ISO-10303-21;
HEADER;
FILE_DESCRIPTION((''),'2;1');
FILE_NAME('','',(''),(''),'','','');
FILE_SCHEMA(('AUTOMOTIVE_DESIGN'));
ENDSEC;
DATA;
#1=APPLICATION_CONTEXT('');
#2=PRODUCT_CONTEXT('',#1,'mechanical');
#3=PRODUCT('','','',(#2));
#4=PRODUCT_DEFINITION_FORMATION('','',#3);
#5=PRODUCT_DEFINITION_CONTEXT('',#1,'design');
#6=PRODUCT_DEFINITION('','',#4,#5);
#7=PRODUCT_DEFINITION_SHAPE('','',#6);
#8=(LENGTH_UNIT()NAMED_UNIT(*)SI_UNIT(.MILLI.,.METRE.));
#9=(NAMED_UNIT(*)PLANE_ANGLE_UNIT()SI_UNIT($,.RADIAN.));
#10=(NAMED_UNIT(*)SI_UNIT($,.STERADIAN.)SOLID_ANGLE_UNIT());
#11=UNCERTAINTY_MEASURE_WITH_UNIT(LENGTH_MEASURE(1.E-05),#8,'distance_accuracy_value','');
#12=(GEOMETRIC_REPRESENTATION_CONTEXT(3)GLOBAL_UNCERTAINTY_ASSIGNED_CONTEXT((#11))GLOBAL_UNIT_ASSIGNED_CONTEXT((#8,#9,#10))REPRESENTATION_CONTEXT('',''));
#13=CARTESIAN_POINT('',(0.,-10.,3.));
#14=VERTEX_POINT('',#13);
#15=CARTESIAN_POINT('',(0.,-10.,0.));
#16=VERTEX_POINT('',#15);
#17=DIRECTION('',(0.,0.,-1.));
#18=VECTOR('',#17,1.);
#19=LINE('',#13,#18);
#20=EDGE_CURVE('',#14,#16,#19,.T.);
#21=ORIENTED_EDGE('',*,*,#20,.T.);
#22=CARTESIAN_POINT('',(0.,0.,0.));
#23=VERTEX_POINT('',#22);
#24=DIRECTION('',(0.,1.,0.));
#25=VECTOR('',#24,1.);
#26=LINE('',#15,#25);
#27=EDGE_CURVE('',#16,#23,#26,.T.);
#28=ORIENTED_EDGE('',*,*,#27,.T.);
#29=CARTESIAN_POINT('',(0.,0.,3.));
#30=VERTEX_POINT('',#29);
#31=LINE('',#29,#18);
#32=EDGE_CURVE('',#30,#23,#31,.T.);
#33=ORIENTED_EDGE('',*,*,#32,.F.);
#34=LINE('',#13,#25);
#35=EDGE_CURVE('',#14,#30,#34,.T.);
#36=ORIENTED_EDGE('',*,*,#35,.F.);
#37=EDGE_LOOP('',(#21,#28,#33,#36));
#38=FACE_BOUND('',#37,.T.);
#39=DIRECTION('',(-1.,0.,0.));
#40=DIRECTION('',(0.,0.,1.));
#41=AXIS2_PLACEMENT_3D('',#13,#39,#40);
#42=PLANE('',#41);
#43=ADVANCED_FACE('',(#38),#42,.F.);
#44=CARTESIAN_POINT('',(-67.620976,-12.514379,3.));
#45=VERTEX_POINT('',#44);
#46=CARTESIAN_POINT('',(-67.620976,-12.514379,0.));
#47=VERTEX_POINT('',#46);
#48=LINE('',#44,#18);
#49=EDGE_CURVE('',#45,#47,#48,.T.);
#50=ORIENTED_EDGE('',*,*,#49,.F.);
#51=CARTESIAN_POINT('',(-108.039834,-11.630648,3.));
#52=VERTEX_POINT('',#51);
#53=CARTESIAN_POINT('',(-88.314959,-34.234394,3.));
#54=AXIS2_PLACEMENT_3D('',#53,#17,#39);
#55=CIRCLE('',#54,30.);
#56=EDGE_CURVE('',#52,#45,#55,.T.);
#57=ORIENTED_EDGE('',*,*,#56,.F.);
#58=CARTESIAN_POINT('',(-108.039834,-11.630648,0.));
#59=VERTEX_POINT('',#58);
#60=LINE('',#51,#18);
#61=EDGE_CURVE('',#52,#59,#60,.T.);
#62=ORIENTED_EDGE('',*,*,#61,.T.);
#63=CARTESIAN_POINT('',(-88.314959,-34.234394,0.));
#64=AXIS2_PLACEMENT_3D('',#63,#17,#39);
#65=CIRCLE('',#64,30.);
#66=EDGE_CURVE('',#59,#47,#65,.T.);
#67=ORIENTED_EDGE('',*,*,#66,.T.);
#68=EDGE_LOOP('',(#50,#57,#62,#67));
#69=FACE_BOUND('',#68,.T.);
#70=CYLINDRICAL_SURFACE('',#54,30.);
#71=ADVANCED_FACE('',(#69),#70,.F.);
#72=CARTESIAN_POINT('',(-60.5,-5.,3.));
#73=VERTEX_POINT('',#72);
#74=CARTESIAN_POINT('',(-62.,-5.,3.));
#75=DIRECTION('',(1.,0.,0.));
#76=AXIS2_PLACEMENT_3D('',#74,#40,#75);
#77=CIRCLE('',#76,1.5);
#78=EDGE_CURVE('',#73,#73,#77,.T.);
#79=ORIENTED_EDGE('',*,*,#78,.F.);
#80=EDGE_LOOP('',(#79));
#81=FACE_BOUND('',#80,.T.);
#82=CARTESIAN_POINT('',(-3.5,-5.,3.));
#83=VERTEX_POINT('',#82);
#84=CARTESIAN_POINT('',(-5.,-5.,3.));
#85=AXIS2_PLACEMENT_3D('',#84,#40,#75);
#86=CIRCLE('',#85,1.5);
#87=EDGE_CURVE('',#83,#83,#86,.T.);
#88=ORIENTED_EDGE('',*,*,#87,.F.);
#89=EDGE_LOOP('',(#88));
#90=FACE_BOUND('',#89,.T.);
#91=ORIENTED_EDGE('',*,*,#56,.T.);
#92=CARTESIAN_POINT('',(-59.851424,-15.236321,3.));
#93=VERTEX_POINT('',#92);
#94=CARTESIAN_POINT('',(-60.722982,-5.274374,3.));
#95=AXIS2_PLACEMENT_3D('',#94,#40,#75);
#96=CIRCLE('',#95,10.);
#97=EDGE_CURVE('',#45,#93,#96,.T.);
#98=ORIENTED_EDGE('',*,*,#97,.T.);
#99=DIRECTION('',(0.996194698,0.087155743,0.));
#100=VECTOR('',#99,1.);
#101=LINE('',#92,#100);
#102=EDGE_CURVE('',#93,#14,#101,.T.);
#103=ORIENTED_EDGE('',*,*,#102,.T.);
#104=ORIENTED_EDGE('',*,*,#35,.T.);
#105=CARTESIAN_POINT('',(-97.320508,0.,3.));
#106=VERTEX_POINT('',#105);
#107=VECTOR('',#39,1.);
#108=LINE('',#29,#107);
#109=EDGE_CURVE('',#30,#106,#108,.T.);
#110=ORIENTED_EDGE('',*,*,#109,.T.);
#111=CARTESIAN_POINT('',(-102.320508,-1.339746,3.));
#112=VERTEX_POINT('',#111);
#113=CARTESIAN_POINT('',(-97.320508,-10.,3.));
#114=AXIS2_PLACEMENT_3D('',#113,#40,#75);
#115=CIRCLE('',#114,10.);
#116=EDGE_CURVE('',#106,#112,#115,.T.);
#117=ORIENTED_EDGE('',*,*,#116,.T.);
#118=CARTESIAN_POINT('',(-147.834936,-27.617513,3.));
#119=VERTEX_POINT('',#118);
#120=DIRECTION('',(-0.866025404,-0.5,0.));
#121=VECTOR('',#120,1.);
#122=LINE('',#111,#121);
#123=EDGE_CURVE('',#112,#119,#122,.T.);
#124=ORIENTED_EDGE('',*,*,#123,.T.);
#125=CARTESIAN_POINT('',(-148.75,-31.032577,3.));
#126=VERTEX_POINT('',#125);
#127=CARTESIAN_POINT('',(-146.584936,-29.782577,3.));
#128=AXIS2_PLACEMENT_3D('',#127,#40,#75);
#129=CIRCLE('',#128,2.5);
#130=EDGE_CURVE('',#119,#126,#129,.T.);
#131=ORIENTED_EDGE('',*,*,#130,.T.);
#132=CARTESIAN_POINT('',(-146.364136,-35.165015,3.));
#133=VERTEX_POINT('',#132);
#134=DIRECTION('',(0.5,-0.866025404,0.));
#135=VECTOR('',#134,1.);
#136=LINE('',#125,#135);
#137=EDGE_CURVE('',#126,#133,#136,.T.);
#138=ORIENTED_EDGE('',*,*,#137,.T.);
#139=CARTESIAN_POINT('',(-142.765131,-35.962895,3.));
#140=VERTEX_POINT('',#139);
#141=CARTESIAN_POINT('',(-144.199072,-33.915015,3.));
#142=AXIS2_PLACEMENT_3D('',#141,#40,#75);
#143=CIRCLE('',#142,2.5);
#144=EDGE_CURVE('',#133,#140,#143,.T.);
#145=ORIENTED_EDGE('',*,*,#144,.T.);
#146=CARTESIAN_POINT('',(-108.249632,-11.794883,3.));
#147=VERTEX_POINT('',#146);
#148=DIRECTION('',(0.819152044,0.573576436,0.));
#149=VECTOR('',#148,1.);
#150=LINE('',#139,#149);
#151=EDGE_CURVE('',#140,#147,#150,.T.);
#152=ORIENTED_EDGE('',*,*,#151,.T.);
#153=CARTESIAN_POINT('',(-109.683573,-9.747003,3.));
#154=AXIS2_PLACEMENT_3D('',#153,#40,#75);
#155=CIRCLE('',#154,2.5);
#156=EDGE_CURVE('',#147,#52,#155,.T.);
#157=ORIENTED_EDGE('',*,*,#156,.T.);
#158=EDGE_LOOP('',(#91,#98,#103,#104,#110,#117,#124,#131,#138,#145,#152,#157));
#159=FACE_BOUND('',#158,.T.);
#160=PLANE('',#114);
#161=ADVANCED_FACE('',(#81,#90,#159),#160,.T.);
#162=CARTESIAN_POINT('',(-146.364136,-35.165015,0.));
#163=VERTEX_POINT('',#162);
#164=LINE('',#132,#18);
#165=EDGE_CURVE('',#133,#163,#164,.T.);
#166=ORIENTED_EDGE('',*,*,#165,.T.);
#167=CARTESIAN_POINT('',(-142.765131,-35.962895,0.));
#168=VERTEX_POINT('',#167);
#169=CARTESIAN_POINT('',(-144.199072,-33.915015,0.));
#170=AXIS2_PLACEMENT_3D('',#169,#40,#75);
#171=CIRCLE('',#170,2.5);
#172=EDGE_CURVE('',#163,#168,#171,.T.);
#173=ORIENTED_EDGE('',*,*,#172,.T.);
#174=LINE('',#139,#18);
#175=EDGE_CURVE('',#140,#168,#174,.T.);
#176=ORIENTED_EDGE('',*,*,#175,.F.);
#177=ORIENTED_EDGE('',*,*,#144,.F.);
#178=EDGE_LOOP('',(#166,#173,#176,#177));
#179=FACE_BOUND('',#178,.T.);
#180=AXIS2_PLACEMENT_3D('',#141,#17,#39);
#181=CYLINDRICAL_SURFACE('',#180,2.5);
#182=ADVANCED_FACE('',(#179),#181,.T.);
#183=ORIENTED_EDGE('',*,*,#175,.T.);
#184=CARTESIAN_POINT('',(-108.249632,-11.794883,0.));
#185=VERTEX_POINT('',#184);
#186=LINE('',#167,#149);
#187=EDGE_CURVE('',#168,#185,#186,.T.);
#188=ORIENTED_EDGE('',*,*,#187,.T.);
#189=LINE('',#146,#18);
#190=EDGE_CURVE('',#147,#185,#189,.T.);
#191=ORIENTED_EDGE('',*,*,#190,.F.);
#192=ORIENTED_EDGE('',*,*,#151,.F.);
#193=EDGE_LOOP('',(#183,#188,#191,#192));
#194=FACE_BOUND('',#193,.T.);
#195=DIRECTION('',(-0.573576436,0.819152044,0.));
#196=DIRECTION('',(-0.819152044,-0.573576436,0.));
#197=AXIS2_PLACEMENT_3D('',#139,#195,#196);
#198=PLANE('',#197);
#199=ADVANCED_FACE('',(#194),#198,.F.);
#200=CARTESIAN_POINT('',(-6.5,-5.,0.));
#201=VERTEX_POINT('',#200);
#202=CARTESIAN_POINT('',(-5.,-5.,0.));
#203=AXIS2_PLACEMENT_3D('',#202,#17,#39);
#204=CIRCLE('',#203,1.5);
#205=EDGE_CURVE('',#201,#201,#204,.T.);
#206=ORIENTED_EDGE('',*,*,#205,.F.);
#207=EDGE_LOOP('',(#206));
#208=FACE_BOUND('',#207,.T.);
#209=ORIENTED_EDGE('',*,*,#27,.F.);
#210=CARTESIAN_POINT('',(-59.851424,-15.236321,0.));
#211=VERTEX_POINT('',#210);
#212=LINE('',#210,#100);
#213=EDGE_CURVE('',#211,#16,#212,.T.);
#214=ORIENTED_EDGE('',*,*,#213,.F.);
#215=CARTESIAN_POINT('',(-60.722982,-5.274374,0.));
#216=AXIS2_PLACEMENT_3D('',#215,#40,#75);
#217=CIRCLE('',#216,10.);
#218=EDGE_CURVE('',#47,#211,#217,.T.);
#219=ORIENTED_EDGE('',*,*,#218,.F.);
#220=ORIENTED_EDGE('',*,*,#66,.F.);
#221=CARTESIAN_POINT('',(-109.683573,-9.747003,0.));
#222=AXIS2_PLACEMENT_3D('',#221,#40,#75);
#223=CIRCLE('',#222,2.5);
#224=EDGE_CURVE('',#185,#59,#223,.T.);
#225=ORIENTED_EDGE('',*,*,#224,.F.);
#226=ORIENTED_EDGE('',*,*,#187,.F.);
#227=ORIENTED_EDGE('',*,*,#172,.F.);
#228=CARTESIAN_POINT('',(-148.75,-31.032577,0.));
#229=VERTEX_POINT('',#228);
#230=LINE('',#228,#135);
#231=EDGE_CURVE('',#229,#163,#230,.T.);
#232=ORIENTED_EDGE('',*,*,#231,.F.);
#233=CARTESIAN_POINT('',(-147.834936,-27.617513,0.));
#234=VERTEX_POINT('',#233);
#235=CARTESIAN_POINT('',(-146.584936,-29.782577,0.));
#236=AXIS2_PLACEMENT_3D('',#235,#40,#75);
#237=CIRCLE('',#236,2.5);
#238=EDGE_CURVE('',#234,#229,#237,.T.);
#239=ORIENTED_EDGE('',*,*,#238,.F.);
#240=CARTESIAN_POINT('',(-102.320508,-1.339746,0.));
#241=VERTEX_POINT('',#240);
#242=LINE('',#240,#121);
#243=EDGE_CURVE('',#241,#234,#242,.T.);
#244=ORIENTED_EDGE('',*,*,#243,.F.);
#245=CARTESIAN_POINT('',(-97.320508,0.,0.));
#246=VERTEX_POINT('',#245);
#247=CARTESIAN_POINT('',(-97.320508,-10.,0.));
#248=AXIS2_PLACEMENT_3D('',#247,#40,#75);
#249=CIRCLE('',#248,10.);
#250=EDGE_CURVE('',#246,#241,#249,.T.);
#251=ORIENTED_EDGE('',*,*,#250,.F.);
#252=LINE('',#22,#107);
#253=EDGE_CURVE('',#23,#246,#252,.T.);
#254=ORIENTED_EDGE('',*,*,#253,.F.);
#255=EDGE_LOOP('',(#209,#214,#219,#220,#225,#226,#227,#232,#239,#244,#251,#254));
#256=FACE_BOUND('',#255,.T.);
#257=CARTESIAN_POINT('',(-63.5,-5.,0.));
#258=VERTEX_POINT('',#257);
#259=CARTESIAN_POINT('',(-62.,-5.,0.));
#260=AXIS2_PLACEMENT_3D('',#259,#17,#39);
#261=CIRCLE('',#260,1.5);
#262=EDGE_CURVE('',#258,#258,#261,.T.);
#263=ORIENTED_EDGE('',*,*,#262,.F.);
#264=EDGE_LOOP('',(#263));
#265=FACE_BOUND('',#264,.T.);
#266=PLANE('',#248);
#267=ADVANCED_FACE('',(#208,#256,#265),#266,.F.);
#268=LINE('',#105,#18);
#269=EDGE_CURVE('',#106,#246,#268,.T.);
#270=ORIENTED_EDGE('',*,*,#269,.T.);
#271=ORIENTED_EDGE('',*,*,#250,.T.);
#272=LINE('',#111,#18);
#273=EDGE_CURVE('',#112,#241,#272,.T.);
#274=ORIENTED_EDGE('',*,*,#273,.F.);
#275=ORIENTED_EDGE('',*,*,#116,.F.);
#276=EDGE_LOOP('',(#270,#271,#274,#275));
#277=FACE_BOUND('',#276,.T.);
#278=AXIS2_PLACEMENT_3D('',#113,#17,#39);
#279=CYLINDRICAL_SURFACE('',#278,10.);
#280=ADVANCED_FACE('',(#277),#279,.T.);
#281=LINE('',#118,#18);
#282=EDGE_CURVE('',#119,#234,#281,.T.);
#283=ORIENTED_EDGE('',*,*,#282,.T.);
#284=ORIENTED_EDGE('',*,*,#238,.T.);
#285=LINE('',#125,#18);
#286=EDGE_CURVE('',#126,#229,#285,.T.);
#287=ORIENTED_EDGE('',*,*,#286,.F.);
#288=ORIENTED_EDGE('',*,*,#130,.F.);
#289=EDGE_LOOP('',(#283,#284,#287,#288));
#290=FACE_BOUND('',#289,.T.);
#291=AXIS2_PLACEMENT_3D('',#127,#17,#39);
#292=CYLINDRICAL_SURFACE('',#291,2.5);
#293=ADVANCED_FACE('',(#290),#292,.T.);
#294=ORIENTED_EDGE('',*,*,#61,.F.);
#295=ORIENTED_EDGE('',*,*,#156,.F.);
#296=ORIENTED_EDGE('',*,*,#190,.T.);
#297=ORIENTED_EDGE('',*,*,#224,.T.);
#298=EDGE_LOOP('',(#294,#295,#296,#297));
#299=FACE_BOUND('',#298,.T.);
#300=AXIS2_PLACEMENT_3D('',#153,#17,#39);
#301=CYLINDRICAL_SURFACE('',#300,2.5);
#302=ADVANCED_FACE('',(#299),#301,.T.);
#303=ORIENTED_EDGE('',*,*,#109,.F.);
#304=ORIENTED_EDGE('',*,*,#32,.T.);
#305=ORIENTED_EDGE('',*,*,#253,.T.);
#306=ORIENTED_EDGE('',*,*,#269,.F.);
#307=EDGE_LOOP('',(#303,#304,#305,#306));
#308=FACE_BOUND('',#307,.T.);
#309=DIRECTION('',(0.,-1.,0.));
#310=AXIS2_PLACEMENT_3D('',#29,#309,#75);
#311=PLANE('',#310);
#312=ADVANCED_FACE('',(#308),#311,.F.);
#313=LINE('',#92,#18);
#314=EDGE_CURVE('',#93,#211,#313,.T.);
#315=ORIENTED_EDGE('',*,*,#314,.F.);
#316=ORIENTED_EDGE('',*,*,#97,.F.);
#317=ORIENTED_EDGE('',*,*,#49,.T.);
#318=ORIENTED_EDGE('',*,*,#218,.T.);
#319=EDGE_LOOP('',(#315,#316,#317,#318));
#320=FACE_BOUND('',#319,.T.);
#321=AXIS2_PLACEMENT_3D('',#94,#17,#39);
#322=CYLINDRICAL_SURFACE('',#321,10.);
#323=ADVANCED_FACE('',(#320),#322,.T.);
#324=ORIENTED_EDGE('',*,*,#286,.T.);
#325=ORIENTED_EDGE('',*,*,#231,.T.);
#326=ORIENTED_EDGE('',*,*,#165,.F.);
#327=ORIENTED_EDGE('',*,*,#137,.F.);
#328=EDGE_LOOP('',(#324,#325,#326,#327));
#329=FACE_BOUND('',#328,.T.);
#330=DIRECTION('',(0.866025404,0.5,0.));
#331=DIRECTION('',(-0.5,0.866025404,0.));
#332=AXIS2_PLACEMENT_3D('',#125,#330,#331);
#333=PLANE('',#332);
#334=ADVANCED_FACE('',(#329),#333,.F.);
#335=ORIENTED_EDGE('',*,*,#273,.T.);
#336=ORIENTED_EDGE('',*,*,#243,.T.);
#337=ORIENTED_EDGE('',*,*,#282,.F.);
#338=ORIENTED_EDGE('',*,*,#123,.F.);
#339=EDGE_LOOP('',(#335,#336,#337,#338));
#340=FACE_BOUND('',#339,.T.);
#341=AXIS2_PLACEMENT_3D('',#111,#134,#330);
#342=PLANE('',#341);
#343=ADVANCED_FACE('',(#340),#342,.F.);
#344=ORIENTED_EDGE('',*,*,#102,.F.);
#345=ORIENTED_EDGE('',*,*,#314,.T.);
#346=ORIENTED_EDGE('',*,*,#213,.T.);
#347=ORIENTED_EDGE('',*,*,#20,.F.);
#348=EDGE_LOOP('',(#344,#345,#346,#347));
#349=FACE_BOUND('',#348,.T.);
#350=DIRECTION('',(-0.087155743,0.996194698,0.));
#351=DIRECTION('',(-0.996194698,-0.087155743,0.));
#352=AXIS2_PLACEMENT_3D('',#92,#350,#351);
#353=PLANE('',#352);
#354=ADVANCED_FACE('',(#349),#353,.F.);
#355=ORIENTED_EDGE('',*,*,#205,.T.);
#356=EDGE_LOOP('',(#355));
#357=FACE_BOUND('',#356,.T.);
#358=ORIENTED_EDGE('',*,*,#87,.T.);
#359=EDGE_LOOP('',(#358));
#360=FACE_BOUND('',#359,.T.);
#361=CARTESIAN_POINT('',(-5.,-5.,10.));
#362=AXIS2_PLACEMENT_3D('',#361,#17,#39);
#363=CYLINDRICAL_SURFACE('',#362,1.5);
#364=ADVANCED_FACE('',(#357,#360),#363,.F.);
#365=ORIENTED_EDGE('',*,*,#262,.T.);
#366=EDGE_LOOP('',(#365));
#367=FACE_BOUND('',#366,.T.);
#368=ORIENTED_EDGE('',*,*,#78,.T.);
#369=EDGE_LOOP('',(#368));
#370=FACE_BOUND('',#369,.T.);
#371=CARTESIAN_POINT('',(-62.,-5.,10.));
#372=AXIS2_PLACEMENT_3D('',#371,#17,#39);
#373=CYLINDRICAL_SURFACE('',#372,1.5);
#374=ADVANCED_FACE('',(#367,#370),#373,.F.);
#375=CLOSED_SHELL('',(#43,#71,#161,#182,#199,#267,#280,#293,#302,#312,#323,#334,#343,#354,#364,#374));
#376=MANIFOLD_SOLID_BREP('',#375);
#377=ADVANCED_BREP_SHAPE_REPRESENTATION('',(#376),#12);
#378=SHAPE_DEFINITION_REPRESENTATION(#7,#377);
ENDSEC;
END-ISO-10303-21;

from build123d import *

# Parameters (mm, degrees)
BOSS_EXTRUDE1_DEPTH = 3
SKETCH2_R           = 1.5
CUT_EXTRUDE1_DEPTH  = 10


with BuildPart() as part:
    # Sketch1 → Boss-Extrude1 (new body)
    with BuildSketch(Plane.XY):
        with BuildLine():
            Line((0, 0), (-97.320508076, 0))
            ThreePointArc((-97.320508076, 0), (-99.908698527, -0.340741737), (-102.320508076, -1.339745962))
            Line((-102.320508076, -1.339745962), (-147.834936491, -27.617513459))
            ThreePointArc((-147.834936491, -27.617513459), (-148.999751056, -29.135529356), (-148.75, -31.032576969))
            Line((-148.75, -31.032576969), (-146.364135626, -35.165015284))
            ThreePointArc((-146.364135626, -35.165015284), (-144.740171152, -36.355755302), (-142.765131026, -35.962895395))
            Line((-142.765131026, -35.962895395), (-108.249632243, -11.794882962))
            ThreePointArc((-108.249632243, -11.794882962), (-108.142543563, -11.71556254), (-108.039833804, -11.630648348))
            ThreePointArc((-108.039833804, -11.630648348), (-87.659186574, -4.241562471), (-67.620976195, -12.514379188))
            ThreePointArc((-67.620976195, -12.514379188), (-64.029298108, -14.71197301), (-59.851424349, -15.236321126))
            Line((-59.851424349, -15.236321126), (0, -10))
            Line((0, -10), (0, 0))
        make_face()
    extrude(amount=BOSS_EXTRUDE1_DEPTH)

    # Sketch2 → Cut-Extrude1 (cut)
    with BuildSketch(Plane(origin=(0, 0, 0), x_dir=(-1, 0, 0), z_dir=(0, 0, -1))):
        with Locations((5, -5)):
            Circle(SKETCH2_R)
        with Locations((62, -5)):
            Circle(SKETCH2_R)
    extrude(amount=-CUT_EXTRUDE1_DEPTH, mode=Mode.SUBTRACT)


solid = part.part
